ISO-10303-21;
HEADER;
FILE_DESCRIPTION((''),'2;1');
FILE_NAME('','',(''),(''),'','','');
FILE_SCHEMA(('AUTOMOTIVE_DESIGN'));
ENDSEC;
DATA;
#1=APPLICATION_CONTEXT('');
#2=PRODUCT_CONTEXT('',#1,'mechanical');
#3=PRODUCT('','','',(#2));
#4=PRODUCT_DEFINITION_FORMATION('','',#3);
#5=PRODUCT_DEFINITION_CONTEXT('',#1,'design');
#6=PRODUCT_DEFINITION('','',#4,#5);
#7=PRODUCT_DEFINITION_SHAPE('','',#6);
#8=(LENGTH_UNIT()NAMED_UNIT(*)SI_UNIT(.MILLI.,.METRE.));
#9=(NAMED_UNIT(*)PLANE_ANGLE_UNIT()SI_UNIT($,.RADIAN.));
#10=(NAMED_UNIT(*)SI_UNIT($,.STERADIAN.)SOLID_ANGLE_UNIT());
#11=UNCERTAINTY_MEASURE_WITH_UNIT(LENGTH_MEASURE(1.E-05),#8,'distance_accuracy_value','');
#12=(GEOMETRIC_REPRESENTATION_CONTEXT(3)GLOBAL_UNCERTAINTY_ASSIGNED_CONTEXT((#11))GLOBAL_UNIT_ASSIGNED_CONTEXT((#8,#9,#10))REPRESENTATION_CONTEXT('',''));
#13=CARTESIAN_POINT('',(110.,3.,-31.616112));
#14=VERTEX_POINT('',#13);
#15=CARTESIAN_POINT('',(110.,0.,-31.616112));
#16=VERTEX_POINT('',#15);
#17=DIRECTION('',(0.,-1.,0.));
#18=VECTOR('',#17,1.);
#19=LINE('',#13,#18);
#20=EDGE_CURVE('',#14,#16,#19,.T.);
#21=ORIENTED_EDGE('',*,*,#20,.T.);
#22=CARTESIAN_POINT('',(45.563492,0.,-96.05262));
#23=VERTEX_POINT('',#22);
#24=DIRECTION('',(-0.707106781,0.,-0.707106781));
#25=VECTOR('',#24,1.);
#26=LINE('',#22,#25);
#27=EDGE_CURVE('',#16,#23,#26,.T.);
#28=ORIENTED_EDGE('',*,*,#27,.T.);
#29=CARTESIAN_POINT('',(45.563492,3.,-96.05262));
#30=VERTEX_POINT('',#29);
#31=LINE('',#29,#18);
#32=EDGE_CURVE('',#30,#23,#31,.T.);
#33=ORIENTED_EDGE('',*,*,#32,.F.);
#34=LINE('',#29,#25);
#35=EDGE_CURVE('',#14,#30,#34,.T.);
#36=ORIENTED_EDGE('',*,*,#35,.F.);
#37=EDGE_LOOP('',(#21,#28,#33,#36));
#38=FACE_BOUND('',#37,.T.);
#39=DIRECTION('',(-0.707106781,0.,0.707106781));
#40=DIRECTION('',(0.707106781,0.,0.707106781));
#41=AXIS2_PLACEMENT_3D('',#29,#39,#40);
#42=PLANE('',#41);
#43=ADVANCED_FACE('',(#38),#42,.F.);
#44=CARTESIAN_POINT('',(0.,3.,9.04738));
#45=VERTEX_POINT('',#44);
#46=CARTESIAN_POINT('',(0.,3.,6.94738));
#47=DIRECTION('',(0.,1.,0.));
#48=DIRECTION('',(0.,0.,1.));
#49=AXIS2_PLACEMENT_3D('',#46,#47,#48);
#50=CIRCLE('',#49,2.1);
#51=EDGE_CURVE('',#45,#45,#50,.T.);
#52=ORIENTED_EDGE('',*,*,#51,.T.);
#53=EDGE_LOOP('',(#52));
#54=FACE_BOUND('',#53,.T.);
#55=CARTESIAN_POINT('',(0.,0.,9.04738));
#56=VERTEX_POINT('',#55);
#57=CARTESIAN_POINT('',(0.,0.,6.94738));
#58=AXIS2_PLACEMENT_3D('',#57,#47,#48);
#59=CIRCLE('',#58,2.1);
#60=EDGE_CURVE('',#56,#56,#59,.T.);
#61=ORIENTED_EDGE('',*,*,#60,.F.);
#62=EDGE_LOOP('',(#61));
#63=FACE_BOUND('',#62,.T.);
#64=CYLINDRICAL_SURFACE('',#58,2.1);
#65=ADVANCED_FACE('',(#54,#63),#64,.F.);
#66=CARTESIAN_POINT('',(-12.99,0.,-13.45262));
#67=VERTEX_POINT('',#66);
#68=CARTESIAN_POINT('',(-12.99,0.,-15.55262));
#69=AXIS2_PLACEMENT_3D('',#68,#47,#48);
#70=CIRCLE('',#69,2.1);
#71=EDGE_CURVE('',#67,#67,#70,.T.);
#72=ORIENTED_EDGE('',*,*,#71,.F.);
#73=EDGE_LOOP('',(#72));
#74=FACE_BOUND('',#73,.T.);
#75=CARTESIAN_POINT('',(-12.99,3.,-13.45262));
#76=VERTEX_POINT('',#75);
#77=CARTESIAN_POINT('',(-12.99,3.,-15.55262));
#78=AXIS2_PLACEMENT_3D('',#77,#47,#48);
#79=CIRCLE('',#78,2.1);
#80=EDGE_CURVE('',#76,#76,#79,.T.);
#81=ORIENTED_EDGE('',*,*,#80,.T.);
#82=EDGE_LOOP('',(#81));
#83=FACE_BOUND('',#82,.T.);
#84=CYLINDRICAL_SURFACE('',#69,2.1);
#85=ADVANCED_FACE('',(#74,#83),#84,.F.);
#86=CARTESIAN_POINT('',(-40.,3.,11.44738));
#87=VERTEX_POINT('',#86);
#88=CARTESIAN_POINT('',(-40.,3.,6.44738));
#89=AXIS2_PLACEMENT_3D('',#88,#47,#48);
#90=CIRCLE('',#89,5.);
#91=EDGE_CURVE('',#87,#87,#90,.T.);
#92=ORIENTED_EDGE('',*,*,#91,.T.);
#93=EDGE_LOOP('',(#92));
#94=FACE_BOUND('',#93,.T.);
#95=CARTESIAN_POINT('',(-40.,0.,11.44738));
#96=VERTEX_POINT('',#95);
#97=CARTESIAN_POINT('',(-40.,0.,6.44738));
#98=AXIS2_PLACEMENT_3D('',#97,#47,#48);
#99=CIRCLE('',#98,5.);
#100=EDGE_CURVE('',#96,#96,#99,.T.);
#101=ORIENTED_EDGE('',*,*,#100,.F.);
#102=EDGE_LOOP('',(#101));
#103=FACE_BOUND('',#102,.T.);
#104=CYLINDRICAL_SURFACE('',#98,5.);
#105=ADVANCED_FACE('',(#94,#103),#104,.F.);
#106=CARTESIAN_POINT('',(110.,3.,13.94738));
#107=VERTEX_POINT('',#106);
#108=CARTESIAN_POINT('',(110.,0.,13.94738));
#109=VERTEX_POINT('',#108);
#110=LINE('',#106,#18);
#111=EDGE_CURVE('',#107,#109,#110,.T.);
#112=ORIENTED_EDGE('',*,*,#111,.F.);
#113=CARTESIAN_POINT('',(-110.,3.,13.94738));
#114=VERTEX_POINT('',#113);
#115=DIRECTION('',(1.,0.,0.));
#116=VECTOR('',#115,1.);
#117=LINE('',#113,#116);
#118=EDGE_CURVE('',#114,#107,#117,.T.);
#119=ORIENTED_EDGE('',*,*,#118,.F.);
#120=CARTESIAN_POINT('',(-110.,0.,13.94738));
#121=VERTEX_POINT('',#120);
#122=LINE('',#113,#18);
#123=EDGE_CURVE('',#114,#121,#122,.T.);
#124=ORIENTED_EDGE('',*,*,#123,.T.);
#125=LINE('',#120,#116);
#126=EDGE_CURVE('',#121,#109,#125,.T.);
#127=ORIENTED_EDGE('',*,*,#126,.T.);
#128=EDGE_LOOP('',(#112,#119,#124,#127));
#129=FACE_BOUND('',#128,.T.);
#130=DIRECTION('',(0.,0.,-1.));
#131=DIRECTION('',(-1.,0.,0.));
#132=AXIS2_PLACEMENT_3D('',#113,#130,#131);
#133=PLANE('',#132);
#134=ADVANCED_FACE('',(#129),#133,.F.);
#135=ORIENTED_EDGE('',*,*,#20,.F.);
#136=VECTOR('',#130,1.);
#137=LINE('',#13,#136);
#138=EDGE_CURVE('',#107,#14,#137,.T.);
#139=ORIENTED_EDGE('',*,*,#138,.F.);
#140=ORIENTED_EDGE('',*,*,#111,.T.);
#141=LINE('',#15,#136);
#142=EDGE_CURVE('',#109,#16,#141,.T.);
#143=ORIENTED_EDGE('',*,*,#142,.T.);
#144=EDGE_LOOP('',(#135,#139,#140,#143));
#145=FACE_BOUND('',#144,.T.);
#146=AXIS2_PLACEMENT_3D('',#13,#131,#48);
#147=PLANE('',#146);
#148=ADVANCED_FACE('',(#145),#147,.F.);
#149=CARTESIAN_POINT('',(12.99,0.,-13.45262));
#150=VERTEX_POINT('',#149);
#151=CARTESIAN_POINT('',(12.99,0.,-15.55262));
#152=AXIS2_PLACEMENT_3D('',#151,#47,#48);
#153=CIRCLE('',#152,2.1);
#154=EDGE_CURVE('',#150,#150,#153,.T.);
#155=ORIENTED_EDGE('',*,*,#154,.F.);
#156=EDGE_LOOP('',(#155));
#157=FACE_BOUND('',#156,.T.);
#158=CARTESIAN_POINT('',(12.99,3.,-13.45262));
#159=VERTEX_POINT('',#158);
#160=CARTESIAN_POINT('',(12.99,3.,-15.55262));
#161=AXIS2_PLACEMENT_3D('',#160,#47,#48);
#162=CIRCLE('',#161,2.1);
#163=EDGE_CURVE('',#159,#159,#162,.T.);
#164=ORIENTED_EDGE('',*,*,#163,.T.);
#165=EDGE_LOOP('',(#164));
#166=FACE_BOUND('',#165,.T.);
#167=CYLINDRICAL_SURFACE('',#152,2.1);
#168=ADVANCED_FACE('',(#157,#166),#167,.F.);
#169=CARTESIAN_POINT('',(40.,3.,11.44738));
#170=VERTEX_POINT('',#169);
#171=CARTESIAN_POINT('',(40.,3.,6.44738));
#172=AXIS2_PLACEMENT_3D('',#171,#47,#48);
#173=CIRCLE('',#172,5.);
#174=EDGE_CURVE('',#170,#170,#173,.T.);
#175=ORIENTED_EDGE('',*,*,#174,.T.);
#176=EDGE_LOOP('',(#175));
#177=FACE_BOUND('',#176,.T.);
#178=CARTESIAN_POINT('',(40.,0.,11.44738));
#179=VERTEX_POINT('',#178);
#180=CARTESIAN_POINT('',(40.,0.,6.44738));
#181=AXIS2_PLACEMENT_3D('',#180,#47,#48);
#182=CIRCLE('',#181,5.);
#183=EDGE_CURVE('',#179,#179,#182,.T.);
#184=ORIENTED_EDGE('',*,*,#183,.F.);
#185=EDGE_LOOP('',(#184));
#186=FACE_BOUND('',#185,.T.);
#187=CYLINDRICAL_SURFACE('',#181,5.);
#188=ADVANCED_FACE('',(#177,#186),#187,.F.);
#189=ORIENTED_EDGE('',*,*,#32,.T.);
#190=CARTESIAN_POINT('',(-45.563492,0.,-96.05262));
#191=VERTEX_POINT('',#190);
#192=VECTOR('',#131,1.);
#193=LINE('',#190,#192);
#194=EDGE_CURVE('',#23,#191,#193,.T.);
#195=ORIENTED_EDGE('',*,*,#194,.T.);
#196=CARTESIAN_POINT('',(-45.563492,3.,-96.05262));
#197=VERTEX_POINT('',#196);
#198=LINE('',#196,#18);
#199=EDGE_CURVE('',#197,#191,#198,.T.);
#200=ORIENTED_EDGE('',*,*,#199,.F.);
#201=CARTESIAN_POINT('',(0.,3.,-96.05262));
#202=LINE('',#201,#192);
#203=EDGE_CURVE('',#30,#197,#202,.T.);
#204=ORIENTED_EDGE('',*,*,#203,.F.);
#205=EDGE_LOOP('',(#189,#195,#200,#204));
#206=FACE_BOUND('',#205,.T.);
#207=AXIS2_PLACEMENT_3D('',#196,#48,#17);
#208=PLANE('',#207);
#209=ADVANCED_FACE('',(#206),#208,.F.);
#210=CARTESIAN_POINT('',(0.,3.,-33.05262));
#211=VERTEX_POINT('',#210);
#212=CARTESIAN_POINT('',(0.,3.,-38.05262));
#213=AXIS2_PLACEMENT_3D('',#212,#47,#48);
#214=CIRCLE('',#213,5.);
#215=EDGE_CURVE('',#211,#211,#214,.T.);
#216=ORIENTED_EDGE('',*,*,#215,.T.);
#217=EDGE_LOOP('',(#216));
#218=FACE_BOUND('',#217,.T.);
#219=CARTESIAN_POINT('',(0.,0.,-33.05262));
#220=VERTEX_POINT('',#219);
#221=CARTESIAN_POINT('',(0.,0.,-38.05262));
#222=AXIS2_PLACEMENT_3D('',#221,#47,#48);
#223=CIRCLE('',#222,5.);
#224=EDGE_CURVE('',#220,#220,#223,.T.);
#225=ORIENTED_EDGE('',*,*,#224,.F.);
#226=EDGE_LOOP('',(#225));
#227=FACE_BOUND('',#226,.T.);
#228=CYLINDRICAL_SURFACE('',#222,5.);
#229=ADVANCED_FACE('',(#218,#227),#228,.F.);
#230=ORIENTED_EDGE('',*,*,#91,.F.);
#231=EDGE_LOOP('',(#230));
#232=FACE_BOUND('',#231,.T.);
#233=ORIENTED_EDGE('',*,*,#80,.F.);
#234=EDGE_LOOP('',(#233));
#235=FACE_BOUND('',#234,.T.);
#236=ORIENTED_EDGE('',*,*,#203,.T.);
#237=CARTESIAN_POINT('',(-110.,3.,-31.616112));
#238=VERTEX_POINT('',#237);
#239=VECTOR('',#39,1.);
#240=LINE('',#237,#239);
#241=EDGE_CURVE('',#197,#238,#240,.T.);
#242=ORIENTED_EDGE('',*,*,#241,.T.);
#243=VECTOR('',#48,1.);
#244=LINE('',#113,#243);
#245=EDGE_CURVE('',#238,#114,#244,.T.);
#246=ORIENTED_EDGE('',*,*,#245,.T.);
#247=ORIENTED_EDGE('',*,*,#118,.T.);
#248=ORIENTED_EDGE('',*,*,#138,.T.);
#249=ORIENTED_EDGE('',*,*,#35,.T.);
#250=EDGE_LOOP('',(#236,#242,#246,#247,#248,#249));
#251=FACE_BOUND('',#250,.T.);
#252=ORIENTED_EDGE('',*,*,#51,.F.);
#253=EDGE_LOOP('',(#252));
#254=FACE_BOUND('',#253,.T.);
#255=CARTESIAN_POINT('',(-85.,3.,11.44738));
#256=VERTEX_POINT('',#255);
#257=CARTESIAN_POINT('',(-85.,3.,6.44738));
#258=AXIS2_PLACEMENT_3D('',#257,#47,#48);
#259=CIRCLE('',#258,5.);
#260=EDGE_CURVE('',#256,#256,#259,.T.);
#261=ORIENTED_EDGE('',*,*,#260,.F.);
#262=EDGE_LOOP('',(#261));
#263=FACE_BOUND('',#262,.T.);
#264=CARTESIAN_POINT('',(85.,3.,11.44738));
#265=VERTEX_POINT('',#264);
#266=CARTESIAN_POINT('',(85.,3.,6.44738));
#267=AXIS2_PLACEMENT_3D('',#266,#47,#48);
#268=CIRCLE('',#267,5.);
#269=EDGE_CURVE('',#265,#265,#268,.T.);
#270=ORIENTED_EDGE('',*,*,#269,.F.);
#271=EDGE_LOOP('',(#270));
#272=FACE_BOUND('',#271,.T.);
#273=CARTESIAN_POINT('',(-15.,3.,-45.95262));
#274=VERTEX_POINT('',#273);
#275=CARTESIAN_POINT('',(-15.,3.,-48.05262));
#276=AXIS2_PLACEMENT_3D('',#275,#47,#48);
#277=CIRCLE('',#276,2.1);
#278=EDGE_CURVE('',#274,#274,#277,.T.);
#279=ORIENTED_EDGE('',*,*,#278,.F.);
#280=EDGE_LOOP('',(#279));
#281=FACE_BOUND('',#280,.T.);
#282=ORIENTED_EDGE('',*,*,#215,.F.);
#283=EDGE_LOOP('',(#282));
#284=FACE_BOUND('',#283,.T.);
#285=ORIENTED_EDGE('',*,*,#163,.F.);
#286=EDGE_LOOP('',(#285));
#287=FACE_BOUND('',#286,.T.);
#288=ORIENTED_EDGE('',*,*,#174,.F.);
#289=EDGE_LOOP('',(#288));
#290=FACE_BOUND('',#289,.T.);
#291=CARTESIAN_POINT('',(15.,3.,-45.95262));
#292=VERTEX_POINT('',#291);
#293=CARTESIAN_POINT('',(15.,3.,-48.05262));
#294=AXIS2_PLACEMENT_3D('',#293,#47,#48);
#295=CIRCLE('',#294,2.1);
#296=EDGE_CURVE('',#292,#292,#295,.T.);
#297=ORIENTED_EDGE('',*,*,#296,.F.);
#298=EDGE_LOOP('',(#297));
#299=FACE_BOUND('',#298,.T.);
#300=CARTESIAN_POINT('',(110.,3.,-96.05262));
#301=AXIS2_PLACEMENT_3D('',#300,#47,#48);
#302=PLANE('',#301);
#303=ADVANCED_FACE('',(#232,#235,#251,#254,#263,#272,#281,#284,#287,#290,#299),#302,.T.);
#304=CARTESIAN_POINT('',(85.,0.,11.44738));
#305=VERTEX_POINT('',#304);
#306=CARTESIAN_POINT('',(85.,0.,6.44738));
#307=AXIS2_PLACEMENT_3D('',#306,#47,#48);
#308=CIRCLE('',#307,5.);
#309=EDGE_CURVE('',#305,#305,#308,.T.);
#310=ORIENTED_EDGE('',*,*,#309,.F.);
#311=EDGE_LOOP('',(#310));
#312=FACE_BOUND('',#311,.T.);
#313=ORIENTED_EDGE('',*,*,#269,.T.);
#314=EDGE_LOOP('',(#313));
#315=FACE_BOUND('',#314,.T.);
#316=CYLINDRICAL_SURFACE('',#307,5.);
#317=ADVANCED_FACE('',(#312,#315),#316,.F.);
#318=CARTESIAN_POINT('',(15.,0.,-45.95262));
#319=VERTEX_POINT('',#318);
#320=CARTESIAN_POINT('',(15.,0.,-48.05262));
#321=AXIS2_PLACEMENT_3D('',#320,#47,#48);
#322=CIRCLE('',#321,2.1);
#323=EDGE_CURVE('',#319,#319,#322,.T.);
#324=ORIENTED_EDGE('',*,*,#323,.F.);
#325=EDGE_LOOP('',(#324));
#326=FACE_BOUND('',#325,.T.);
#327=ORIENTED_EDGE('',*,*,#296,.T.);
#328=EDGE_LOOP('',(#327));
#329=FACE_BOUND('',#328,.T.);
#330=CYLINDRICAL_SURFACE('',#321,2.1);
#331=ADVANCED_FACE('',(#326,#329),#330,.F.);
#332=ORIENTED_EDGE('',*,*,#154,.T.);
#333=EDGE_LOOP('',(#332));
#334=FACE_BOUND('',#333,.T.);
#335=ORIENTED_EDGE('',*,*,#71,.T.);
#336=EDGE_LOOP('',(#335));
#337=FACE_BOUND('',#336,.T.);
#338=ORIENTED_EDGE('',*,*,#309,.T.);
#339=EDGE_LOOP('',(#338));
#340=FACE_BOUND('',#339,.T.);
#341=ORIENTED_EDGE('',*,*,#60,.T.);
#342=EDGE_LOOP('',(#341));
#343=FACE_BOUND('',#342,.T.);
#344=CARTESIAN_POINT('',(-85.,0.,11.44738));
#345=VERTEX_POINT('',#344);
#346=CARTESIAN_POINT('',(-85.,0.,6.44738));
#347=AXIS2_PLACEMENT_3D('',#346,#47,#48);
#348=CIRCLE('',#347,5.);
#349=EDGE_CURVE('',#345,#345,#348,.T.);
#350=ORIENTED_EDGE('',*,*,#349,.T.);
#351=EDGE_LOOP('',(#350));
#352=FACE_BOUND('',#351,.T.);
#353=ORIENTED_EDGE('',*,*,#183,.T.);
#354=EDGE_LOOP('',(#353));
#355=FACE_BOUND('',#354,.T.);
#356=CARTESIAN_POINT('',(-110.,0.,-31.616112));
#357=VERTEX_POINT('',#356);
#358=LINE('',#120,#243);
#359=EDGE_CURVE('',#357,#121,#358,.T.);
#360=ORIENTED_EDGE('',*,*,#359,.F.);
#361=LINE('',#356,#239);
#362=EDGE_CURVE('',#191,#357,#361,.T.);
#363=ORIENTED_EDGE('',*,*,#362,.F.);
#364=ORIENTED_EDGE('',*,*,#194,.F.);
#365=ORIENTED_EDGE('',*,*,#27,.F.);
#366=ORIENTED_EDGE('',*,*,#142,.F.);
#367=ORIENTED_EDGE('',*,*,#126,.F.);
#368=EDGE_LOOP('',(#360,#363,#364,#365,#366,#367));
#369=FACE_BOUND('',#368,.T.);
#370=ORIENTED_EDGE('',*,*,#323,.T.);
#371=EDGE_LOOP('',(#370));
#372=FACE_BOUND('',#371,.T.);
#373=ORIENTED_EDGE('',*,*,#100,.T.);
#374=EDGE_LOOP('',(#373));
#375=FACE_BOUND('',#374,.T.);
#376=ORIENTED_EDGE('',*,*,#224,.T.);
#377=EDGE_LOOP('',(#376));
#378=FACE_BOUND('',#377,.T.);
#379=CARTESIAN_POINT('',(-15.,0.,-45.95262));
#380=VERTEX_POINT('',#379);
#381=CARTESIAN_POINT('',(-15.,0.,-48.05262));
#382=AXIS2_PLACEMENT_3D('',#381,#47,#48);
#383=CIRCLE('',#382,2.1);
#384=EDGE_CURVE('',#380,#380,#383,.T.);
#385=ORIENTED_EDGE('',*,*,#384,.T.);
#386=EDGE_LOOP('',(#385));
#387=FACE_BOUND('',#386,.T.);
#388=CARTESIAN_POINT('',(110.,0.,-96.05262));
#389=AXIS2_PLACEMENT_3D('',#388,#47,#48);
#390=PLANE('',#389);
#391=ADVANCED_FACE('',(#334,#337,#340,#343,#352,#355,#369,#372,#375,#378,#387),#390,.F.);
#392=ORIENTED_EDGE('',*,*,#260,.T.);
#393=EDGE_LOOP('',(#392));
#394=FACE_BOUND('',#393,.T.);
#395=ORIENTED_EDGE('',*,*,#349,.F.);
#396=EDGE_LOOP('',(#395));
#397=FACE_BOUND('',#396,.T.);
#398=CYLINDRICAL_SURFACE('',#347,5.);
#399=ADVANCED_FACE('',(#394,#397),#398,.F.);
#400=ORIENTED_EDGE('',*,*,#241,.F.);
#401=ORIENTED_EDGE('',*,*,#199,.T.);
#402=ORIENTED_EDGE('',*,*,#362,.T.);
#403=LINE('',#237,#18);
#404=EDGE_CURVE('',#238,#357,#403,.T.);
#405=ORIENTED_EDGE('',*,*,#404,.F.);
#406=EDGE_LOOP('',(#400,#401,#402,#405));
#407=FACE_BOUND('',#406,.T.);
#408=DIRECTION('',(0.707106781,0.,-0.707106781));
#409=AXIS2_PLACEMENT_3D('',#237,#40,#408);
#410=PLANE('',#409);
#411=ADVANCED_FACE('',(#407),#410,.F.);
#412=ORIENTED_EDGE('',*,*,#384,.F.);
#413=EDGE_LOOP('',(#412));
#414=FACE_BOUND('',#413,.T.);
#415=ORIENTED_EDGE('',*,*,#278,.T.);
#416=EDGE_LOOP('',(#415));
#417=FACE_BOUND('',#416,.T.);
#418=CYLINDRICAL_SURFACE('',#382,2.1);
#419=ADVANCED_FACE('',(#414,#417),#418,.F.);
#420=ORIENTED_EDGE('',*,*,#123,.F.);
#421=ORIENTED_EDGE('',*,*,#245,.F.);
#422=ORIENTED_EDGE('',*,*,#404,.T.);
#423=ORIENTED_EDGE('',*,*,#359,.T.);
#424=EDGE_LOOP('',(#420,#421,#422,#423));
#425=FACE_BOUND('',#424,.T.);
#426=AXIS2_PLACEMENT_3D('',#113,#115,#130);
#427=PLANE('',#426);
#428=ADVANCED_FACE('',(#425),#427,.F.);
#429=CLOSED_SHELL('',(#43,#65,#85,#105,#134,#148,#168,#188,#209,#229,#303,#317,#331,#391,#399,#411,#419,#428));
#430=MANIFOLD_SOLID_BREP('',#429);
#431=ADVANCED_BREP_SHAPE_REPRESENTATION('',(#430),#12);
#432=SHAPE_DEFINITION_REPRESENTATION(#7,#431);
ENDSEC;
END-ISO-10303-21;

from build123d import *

# Parameters (mm, degrees)
EXTRUDE1_DEPTH     = 3
SKETCH2_R          = 5
CUT_EXTRUDE1_DEPTH = 4
SKETCH7_R          = 5
CUT_EXTRUDE6_DEPTH = 4
SKETCH8_R          = 2.1
CUT_EXTRUDE7_DEPTH = 4


with BuildPart() as part:
    # Sketch1 → Extrude1 (new body)
    with BuildSketch(Plane(origin=(0, 0, 0), x_dir=(1, 0, 0), z_dir=(0, 1, 0))):
        Polygon((-110, -13.947380088), (-110, 31.616111773), (-45.563491861, 96.052619912), (0, 96.052619912), (45.563491861, 96.052619912), (110, 31.616111773), (110, -13.947380088), align=None)
    extrude(amount=EXTRUDE1_DEPTH)

    # Sketch2 → Cut-Extrude1 (cut, through all)
    with BuildSketch(Plane(origin=(0, 3, 0), x_dir=(-1, 0, 0), z_dir=(0, 1, 0))):
        with Locations((85, 6.447380088)):
            Circle(SKETCH2_R)
        with Locations((40, 6.447380088)):
            Circle(SKETCH2_R)
        with Locations((-40, 6.447380088)):
            Circle(SKETCH2_R)
        with Locations((-85, 6.447380088)):
            Circle(SKETCH2_R)
    extrude(amount=-CUT_EXTRUDE1_DEPTH, mode=Mode.SUBTRACT)

    # Sketch7 → Cut-Extrude6 (cut, through all)
    with BuildSketch(Plane(origin=(0, 3, 0), x_dir=(-1, 0, 0), z_dir=(0, 1, 0))):
        with Locations((0, -38.052619912)):
            Circle(SKETCH7_R)
    extrude(amount=-CUT_EXTRUDE6_DEPTH, mode=Mode.SUBTRACT)

    # Sketch8 → Cut-Extrude7 (cut, through all)
    with BuildSketch(Plane(origin=(49.267366711, 3, 2.671437264), x_dir=(-1, 0, 0), z_dir=(0, 1, 0))):
        with Locations((64.267366711, -50.724057176)):
            Circle(SKETCH8_R)
        with Locations((34.267366711, -50.724057176)):
            Circle(SKETCH8_R)
        with Locations((36.277366711, -18.224057176)):
            Circle(SKETCH8_R)
        with Locations((62.257366711, -18.224057176)):
            Circle(SKETCH8_R)
        with Locations((49.267366711, 4.275942824)):
            Circle(SKETCH8_R)
    extrude(amount=-CUT_EXTRUDE7_DEPTH, mode=Mode.SUBTRACT)


solid = part.part
